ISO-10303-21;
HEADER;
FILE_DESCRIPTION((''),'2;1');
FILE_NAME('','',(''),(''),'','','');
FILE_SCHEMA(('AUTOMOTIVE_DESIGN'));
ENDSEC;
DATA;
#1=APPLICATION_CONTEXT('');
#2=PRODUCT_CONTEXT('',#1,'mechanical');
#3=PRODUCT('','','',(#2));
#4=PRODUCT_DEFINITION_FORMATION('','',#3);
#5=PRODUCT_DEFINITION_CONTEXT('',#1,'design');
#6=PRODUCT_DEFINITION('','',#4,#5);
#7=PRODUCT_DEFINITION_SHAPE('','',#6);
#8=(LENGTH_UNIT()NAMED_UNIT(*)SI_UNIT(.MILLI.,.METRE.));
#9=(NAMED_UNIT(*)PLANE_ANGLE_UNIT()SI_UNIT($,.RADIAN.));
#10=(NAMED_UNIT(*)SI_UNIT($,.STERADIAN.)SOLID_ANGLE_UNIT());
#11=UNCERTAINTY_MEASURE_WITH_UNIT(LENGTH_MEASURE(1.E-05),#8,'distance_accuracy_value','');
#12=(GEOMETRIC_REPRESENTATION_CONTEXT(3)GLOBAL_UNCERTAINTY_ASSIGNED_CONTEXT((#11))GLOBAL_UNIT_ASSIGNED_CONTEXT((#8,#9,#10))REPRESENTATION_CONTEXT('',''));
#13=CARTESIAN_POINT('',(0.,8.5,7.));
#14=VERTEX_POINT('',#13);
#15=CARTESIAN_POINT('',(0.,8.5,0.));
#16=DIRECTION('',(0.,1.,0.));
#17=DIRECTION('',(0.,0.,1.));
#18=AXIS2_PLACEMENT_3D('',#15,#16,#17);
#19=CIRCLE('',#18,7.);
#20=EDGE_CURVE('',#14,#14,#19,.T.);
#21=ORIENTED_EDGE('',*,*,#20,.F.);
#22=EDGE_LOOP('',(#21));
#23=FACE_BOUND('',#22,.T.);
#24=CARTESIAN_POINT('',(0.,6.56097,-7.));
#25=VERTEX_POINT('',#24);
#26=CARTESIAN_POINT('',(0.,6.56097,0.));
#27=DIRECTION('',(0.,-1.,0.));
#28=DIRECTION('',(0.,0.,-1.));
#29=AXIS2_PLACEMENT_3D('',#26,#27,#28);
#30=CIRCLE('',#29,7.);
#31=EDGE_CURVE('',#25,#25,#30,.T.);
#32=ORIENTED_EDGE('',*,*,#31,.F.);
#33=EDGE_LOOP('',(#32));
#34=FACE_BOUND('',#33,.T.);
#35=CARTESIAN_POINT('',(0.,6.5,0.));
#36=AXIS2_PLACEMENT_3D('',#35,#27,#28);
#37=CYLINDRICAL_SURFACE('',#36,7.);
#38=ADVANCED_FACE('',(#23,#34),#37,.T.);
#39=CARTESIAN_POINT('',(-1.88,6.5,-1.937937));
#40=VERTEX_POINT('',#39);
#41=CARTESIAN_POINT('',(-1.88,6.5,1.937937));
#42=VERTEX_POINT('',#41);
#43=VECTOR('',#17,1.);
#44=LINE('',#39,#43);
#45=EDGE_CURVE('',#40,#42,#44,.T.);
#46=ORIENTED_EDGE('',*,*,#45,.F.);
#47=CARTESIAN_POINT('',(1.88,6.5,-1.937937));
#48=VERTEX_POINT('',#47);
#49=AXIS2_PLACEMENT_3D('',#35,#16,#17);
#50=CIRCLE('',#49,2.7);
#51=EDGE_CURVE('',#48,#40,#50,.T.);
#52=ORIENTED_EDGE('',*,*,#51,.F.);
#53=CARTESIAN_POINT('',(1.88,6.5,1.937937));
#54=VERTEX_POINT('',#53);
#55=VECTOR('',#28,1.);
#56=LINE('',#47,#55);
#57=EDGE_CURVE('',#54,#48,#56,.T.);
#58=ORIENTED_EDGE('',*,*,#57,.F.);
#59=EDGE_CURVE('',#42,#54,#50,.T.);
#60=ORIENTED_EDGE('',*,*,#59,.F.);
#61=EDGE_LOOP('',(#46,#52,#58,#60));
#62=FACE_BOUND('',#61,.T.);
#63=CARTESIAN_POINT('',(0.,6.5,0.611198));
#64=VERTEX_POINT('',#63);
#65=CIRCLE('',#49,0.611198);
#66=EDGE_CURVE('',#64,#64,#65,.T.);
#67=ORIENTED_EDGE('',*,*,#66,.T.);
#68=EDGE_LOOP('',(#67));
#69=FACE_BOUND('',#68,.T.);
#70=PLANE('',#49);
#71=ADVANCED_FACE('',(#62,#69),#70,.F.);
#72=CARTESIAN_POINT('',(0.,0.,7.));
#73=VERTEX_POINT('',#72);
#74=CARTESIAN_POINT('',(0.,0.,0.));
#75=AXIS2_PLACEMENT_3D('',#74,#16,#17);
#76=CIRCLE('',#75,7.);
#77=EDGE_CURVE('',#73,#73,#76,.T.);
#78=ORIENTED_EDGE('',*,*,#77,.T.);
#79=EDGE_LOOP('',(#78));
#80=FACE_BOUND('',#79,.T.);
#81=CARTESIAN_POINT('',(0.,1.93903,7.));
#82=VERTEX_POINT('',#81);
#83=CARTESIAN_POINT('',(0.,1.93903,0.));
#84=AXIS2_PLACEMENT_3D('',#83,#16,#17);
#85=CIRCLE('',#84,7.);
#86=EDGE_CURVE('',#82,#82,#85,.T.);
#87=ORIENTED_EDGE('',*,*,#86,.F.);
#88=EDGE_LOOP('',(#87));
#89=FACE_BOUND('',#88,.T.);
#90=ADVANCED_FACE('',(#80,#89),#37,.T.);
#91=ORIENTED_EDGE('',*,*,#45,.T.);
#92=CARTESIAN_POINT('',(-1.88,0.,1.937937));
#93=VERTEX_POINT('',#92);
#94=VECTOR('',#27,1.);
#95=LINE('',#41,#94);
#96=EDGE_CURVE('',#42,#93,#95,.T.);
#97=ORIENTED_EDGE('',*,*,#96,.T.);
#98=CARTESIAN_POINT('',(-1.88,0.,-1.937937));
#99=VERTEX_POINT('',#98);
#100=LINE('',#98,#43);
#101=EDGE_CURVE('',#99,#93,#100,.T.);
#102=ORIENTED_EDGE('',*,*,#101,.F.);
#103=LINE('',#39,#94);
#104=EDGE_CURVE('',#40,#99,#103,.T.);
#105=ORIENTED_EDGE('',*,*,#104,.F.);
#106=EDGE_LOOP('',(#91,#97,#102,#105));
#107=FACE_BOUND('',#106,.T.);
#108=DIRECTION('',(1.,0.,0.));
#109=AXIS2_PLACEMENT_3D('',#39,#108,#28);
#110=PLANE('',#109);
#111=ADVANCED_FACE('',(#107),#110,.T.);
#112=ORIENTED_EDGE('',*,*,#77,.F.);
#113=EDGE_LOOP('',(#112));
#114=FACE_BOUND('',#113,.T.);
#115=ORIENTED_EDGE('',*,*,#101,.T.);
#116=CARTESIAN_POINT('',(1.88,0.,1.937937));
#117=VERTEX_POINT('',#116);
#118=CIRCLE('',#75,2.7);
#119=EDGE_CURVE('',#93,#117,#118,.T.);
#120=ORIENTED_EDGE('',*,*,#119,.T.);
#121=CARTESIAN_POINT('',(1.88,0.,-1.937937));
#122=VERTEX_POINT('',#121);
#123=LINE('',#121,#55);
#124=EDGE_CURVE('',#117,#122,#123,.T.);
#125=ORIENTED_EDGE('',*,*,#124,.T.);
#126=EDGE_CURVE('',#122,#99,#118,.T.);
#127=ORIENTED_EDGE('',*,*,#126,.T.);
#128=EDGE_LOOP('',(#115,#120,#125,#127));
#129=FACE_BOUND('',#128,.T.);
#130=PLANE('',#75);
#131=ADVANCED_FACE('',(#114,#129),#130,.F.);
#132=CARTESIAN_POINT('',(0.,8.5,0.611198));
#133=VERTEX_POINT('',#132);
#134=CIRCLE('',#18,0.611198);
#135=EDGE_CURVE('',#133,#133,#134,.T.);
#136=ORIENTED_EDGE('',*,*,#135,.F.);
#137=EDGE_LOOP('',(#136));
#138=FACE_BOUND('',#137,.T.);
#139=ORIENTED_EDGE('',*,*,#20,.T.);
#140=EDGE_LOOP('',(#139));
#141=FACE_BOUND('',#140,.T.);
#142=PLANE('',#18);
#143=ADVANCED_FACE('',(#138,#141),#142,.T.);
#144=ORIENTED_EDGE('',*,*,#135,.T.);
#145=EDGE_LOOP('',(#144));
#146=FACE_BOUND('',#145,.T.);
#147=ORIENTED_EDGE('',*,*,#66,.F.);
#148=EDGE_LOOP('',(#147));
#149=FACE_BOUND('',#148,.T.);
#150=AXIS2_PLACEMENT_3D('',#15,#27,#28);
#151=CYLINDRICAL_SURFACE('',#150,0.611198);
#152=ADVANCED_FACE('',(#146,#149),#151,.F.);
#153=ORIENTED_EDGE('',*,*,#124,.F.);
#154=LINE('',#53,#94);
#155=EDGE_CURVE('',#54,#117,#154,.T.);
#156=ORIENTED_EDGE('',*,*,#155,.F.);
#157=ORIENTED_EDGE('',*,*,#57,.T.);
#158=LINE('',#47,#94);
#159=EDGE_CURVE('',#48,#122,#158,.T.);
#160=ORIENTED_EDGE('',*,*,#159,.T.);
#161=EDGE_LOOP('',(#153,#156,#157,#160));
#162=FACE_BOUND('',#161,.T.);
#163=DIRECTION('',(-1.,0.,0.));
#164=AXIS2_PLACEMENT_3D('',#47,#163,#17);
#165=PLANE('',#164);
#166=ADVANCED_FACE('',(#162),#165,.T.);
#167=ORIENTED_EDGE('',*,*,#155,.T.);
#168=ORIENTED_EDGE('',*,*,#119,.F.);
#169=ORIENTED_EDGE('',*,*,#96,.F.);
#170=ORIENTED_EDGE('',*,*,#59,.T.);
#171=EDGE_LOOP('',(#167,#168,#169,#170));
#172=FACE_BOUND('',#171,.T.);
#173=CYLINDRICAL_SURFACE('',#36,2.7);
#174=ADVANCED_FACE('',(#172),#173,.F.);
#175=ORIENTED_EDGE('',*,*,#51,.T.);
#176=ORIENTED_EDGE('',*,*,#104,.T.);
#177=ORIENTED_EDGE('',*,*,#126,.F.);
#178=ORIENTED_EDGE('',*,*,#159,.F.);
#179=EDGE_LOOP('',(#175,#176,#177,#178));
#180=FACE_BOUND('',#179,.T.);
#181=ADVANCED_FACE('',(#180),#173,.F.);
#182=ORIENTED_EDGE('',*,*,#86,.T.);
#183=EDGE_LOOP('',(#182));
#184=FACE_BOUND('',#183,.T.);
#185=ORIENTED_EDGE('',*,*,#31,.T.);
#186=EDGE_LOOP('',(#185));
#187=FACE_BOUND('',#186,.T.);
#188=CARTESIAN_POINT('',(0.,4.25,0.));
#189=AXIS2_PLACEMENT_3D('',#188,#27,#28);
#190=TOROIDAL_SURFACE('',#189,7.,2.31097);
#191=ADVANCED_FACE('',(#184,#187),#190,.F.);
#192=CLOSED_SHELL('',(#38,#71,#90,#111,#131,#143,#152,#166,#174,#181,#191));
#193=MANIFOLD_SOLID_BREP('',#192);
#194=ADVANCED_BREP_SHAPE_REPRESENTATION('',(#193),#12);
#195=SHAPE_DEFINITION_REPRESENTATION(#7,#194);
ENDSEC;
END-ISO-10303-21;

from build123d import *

# Parameters (mm, degrees)
SKETCH1_R           = 7
BOSS_EXTRUDE1_DEPTH = 6.5
SKETCH2_R           = 7
SKETCH2_R_2         = 0.611197666
BOSS_EXTRUDE2_DEPTH = 2
SKETCH3_R           = 2.310970428


with BuildPart() as part:
    # Sketch1 → Boss-Extrude1 (new body)
    with BuildSketch(Plane(origin=(0, 0, 0), x_dir=(1, 0, 0), z_dir=(0, 1, 0))):
        with Locations(Location((0, 0, 0), (0, 0, 270))):  # turned: the seam where the file's is
            Circle(SKETCH1_R)
        with BuildLine():
            Line((-1.88, 1.937937047), (-1.88, -1.937937047))
            ThreePointArc((-1.88, -1.937937047), (0, -2.7), (1.88, -1.937937047))
            Line((1.88, -1.937937047), (1.88, 1.937937047))
            ThreePointArc((1.88, 1.937937047), (0, 2.7), (-1.88, 1.937937047))
        make_face(mode=Mode.SUBTRACT)
    extrude(amount=BOSS_EXTRUDE1_DEPTH)

    # Sketch2 → Boss-Extrude2 (add)
    with BuildSketch(Plane(origin=(0, 6.5, 0), x_dir=(1, 0, 0), z_dir=(0, 1, 0))):
        with Locations(Location((0, 0, 0), (0, 0, 270))):  # turned: the seam where the file's is
            Circle(SKETCH2_R)
        with Locations(Location((0, 0, 0), (0, 0, 270))):  # turned: the seam where the file's is
            Circle(SKETCH2_R_2, mode=Mode.SUBTRACT)
    extrude(amount=BOSS_EXTRUDE2_DEPTH)

    # Sketch3 → Cut-Revolve1 (revolve, cut)
    with BuildSketch(Plane(origin=(0, 0, 0), x_dir=(0, 0, -1), z_dir=(1, 0, 0))):
        with Locations((-7, 4.25)):
            Circle(SKETCH3_R)
    revolve(axis=Axis((0, 0, 0), (0, 1, 0)), mode=Mode.SUBTRACT)


solid = part.part
